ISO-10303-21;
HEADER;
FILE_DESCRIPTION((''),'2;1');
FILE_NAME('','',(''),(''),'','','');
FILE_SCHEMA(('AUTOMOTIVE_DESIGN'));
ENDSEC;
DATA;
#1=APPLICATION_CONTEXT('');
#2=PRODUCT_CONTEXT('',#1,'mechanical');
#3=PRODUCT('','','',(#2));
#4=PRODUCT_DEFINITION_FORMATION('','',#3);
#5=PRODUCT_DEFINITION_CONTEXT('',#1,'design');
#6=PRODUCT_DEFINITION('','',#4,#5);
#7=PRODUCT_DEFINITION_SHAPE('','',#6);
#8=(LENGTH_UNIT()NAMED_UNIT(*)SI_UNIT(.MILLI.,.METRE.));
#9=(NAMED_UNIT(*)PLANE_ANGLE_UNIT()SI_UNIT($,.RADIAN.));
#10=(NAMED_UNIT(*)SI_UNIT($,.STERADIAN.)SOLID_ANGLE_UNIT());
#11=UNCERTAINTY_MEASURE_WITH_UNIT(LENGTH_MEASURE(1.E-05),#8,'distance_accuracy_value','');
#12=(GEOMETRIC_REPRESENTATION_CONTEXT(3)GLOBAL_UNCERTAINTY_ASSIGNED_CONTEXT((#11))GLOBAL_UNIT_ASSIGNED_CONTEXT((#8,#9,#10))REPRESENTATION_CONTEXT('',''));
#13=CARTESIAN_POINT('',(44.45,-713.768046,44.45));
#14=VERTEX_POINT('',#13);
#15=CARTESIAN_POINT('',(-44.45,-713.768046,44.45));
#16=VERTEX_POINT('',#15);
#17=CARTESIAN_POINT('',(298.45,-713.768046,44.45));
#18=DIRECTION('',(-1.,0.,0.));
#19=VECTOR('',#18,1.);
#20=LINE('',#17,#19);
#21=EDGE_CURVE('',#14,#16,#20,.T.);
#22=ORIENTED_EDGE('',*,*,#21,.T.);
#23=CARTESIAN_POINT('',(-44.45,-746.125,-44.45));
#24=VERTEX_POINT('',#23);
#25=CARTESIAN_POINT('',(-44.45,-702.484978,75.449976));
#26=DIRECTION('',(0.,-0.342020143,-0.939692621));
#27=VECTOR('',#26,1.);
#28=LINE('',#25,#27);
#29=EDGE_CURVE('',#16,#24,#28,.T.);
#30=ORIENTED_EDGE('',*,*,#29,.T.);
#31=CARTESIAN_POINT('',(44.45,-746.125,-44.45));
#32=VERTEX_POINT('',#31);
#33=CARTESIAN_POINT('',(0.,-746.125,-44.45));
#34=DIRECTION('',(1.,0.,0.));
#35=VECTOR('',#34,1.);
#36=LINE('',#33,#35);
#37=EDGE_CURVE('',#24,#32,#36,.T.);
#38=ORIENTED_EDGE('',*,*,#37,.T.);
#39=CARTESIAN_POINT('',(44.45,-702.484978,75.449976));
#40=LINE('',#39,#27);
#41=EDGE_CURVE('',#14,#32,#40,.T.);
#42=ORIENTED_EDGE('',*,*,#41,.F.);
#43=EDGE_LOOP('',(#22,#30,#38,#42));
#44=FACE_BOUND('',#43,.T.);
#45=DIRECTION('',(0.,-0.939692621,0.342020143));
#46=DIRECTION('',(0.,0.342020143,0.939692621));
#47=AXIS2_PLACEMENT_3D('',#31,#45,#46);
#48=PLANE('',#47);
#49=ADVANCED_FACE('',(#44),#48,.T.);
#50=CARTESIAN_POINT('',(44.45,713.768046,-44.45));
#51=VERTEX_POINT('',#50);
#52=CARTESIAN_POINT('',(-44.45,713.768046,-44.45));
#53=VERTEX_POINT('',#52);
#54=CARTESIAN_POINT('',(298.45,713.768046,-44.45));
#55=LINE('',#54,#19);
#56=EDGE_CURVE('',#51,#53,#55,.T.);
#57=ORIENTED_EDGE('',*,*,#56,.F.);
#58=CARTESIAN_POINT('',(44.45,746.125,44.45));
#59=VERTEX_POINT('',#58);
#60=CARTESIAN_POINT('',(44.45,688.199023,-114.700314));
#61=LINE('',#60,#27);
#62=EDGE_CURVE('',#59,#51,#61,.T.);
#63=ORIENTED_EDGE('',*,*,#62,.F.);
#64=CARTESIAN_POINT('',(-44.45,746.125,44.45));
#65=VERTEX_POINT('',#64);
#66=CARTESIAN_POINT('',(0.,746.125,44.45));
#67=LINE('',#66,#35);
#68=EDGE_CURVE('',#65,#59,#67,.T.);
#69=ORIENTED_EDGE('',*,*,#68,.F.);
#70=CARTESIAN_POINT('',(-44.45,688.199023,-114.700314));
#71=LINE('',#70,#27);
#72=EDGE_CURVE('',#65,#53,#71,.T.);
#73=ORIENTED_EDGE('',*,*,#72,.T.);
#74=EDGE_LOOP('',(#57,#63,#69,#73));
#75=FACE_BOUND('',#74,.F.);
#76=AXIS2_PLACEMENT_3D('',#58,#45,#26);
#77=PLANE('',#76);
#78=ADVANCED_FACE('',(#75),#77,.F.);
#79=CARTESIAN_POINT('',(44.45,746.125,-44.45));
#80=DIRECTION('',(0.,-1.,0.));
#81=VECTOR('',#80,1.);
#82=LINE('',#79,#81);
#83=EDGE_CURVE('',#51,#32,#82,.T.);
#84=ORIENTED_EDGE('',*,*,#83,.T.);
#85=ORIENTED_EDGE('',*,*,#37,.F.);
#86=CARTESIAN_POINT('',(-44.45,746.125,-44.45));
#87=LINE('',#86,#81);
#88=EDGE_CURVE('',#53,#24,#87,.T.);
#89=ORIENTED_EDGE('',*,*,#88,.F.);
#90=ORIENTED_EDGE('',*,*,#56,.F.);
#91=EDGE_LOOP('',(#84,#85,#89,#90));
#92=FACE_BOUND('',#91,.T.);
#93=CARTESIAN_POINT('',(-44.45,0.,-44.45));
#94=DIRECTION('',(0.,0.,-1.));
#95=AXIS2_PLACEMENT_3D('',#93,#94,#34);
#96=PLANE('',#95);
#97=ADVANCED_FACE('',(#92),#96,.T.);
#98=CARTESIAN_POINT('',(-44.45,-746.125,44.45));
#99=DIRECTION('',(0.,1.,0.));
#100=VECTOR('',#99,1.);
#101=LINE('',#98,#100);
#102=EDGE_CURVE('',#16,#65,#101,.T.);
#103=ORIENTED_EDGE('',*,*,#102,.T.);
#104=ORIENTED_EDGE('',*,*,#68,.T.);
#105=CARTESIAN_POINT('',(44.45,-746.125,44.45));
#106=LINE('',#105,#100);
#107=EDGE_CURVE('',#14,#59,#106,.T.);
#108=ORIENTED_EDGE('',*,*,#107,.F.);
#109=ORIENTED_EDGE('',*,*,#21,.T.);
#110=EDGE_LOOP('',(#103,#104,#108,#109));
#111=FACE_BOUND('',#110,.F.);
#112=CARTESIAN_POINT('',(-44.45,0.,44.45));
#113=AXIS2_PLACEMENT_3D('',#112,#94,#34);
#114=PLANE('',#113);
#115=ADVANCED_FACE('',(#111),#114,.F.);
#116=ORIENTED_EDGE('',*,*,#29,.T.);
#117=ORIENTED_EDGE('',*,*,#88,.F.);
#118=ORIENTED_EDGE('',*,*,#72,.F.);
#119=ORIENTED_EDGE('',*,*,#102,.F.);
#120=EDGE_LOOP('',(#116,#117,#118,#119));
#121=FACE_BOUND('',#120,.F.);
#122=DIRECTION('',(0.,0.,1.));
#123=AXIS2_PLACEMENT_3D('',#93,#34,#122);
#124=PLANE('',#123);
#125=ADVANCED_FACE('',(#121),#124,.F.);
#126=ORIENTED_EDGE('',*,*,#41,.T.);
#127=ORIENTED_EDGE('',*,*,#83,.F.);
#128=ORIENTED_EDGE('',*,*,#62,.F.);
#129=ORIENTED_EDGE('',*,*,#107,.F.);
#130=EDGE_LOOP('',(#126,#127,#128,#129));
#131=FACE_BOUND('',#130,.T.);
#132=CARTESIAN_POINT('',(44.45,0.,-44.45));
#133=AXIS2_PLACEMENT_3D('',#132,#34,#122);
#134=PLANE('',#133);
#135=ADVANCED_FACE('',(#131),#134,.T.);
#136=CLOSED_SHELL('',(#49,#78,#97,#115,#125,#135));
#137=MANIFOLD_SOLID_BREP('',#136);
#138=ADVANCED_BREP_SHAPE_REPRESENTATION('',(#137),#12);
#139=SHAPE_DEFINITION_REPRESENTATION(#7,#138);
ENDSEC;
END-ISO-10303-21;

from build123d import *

# Parameters (mm, degrees)
F0_W     = 88.9
F0_H     = 88.9
F1_DEPTH = 746.125
F3_DEPTH = 254


with BuildPart() as f1:
    # F0 (on Front) → F1 (new body, symmetric)
    with BuildSketch(Plane.XZ):
        Rectangle(F0_W, F0_H)
    extrude(amount=F1_DEPTH, both=True)

    # F2 (on face) → F3 (cut, symmetric)
    with BuildSketch(Plane.YZ.offset(44.45)):
        Polygon((-746.125, 44.45), (-746.125, -44.45), (-713.7680461737, 44.45), align=None)
        Polygon((746.125, -44.45), (746.125, 44.45), (713.7680461737, -44.45), align=None)
    extrude(amount=F3_DEPTH, both=True, mode=Mode.SUBTRACT)


solid = f1.part
